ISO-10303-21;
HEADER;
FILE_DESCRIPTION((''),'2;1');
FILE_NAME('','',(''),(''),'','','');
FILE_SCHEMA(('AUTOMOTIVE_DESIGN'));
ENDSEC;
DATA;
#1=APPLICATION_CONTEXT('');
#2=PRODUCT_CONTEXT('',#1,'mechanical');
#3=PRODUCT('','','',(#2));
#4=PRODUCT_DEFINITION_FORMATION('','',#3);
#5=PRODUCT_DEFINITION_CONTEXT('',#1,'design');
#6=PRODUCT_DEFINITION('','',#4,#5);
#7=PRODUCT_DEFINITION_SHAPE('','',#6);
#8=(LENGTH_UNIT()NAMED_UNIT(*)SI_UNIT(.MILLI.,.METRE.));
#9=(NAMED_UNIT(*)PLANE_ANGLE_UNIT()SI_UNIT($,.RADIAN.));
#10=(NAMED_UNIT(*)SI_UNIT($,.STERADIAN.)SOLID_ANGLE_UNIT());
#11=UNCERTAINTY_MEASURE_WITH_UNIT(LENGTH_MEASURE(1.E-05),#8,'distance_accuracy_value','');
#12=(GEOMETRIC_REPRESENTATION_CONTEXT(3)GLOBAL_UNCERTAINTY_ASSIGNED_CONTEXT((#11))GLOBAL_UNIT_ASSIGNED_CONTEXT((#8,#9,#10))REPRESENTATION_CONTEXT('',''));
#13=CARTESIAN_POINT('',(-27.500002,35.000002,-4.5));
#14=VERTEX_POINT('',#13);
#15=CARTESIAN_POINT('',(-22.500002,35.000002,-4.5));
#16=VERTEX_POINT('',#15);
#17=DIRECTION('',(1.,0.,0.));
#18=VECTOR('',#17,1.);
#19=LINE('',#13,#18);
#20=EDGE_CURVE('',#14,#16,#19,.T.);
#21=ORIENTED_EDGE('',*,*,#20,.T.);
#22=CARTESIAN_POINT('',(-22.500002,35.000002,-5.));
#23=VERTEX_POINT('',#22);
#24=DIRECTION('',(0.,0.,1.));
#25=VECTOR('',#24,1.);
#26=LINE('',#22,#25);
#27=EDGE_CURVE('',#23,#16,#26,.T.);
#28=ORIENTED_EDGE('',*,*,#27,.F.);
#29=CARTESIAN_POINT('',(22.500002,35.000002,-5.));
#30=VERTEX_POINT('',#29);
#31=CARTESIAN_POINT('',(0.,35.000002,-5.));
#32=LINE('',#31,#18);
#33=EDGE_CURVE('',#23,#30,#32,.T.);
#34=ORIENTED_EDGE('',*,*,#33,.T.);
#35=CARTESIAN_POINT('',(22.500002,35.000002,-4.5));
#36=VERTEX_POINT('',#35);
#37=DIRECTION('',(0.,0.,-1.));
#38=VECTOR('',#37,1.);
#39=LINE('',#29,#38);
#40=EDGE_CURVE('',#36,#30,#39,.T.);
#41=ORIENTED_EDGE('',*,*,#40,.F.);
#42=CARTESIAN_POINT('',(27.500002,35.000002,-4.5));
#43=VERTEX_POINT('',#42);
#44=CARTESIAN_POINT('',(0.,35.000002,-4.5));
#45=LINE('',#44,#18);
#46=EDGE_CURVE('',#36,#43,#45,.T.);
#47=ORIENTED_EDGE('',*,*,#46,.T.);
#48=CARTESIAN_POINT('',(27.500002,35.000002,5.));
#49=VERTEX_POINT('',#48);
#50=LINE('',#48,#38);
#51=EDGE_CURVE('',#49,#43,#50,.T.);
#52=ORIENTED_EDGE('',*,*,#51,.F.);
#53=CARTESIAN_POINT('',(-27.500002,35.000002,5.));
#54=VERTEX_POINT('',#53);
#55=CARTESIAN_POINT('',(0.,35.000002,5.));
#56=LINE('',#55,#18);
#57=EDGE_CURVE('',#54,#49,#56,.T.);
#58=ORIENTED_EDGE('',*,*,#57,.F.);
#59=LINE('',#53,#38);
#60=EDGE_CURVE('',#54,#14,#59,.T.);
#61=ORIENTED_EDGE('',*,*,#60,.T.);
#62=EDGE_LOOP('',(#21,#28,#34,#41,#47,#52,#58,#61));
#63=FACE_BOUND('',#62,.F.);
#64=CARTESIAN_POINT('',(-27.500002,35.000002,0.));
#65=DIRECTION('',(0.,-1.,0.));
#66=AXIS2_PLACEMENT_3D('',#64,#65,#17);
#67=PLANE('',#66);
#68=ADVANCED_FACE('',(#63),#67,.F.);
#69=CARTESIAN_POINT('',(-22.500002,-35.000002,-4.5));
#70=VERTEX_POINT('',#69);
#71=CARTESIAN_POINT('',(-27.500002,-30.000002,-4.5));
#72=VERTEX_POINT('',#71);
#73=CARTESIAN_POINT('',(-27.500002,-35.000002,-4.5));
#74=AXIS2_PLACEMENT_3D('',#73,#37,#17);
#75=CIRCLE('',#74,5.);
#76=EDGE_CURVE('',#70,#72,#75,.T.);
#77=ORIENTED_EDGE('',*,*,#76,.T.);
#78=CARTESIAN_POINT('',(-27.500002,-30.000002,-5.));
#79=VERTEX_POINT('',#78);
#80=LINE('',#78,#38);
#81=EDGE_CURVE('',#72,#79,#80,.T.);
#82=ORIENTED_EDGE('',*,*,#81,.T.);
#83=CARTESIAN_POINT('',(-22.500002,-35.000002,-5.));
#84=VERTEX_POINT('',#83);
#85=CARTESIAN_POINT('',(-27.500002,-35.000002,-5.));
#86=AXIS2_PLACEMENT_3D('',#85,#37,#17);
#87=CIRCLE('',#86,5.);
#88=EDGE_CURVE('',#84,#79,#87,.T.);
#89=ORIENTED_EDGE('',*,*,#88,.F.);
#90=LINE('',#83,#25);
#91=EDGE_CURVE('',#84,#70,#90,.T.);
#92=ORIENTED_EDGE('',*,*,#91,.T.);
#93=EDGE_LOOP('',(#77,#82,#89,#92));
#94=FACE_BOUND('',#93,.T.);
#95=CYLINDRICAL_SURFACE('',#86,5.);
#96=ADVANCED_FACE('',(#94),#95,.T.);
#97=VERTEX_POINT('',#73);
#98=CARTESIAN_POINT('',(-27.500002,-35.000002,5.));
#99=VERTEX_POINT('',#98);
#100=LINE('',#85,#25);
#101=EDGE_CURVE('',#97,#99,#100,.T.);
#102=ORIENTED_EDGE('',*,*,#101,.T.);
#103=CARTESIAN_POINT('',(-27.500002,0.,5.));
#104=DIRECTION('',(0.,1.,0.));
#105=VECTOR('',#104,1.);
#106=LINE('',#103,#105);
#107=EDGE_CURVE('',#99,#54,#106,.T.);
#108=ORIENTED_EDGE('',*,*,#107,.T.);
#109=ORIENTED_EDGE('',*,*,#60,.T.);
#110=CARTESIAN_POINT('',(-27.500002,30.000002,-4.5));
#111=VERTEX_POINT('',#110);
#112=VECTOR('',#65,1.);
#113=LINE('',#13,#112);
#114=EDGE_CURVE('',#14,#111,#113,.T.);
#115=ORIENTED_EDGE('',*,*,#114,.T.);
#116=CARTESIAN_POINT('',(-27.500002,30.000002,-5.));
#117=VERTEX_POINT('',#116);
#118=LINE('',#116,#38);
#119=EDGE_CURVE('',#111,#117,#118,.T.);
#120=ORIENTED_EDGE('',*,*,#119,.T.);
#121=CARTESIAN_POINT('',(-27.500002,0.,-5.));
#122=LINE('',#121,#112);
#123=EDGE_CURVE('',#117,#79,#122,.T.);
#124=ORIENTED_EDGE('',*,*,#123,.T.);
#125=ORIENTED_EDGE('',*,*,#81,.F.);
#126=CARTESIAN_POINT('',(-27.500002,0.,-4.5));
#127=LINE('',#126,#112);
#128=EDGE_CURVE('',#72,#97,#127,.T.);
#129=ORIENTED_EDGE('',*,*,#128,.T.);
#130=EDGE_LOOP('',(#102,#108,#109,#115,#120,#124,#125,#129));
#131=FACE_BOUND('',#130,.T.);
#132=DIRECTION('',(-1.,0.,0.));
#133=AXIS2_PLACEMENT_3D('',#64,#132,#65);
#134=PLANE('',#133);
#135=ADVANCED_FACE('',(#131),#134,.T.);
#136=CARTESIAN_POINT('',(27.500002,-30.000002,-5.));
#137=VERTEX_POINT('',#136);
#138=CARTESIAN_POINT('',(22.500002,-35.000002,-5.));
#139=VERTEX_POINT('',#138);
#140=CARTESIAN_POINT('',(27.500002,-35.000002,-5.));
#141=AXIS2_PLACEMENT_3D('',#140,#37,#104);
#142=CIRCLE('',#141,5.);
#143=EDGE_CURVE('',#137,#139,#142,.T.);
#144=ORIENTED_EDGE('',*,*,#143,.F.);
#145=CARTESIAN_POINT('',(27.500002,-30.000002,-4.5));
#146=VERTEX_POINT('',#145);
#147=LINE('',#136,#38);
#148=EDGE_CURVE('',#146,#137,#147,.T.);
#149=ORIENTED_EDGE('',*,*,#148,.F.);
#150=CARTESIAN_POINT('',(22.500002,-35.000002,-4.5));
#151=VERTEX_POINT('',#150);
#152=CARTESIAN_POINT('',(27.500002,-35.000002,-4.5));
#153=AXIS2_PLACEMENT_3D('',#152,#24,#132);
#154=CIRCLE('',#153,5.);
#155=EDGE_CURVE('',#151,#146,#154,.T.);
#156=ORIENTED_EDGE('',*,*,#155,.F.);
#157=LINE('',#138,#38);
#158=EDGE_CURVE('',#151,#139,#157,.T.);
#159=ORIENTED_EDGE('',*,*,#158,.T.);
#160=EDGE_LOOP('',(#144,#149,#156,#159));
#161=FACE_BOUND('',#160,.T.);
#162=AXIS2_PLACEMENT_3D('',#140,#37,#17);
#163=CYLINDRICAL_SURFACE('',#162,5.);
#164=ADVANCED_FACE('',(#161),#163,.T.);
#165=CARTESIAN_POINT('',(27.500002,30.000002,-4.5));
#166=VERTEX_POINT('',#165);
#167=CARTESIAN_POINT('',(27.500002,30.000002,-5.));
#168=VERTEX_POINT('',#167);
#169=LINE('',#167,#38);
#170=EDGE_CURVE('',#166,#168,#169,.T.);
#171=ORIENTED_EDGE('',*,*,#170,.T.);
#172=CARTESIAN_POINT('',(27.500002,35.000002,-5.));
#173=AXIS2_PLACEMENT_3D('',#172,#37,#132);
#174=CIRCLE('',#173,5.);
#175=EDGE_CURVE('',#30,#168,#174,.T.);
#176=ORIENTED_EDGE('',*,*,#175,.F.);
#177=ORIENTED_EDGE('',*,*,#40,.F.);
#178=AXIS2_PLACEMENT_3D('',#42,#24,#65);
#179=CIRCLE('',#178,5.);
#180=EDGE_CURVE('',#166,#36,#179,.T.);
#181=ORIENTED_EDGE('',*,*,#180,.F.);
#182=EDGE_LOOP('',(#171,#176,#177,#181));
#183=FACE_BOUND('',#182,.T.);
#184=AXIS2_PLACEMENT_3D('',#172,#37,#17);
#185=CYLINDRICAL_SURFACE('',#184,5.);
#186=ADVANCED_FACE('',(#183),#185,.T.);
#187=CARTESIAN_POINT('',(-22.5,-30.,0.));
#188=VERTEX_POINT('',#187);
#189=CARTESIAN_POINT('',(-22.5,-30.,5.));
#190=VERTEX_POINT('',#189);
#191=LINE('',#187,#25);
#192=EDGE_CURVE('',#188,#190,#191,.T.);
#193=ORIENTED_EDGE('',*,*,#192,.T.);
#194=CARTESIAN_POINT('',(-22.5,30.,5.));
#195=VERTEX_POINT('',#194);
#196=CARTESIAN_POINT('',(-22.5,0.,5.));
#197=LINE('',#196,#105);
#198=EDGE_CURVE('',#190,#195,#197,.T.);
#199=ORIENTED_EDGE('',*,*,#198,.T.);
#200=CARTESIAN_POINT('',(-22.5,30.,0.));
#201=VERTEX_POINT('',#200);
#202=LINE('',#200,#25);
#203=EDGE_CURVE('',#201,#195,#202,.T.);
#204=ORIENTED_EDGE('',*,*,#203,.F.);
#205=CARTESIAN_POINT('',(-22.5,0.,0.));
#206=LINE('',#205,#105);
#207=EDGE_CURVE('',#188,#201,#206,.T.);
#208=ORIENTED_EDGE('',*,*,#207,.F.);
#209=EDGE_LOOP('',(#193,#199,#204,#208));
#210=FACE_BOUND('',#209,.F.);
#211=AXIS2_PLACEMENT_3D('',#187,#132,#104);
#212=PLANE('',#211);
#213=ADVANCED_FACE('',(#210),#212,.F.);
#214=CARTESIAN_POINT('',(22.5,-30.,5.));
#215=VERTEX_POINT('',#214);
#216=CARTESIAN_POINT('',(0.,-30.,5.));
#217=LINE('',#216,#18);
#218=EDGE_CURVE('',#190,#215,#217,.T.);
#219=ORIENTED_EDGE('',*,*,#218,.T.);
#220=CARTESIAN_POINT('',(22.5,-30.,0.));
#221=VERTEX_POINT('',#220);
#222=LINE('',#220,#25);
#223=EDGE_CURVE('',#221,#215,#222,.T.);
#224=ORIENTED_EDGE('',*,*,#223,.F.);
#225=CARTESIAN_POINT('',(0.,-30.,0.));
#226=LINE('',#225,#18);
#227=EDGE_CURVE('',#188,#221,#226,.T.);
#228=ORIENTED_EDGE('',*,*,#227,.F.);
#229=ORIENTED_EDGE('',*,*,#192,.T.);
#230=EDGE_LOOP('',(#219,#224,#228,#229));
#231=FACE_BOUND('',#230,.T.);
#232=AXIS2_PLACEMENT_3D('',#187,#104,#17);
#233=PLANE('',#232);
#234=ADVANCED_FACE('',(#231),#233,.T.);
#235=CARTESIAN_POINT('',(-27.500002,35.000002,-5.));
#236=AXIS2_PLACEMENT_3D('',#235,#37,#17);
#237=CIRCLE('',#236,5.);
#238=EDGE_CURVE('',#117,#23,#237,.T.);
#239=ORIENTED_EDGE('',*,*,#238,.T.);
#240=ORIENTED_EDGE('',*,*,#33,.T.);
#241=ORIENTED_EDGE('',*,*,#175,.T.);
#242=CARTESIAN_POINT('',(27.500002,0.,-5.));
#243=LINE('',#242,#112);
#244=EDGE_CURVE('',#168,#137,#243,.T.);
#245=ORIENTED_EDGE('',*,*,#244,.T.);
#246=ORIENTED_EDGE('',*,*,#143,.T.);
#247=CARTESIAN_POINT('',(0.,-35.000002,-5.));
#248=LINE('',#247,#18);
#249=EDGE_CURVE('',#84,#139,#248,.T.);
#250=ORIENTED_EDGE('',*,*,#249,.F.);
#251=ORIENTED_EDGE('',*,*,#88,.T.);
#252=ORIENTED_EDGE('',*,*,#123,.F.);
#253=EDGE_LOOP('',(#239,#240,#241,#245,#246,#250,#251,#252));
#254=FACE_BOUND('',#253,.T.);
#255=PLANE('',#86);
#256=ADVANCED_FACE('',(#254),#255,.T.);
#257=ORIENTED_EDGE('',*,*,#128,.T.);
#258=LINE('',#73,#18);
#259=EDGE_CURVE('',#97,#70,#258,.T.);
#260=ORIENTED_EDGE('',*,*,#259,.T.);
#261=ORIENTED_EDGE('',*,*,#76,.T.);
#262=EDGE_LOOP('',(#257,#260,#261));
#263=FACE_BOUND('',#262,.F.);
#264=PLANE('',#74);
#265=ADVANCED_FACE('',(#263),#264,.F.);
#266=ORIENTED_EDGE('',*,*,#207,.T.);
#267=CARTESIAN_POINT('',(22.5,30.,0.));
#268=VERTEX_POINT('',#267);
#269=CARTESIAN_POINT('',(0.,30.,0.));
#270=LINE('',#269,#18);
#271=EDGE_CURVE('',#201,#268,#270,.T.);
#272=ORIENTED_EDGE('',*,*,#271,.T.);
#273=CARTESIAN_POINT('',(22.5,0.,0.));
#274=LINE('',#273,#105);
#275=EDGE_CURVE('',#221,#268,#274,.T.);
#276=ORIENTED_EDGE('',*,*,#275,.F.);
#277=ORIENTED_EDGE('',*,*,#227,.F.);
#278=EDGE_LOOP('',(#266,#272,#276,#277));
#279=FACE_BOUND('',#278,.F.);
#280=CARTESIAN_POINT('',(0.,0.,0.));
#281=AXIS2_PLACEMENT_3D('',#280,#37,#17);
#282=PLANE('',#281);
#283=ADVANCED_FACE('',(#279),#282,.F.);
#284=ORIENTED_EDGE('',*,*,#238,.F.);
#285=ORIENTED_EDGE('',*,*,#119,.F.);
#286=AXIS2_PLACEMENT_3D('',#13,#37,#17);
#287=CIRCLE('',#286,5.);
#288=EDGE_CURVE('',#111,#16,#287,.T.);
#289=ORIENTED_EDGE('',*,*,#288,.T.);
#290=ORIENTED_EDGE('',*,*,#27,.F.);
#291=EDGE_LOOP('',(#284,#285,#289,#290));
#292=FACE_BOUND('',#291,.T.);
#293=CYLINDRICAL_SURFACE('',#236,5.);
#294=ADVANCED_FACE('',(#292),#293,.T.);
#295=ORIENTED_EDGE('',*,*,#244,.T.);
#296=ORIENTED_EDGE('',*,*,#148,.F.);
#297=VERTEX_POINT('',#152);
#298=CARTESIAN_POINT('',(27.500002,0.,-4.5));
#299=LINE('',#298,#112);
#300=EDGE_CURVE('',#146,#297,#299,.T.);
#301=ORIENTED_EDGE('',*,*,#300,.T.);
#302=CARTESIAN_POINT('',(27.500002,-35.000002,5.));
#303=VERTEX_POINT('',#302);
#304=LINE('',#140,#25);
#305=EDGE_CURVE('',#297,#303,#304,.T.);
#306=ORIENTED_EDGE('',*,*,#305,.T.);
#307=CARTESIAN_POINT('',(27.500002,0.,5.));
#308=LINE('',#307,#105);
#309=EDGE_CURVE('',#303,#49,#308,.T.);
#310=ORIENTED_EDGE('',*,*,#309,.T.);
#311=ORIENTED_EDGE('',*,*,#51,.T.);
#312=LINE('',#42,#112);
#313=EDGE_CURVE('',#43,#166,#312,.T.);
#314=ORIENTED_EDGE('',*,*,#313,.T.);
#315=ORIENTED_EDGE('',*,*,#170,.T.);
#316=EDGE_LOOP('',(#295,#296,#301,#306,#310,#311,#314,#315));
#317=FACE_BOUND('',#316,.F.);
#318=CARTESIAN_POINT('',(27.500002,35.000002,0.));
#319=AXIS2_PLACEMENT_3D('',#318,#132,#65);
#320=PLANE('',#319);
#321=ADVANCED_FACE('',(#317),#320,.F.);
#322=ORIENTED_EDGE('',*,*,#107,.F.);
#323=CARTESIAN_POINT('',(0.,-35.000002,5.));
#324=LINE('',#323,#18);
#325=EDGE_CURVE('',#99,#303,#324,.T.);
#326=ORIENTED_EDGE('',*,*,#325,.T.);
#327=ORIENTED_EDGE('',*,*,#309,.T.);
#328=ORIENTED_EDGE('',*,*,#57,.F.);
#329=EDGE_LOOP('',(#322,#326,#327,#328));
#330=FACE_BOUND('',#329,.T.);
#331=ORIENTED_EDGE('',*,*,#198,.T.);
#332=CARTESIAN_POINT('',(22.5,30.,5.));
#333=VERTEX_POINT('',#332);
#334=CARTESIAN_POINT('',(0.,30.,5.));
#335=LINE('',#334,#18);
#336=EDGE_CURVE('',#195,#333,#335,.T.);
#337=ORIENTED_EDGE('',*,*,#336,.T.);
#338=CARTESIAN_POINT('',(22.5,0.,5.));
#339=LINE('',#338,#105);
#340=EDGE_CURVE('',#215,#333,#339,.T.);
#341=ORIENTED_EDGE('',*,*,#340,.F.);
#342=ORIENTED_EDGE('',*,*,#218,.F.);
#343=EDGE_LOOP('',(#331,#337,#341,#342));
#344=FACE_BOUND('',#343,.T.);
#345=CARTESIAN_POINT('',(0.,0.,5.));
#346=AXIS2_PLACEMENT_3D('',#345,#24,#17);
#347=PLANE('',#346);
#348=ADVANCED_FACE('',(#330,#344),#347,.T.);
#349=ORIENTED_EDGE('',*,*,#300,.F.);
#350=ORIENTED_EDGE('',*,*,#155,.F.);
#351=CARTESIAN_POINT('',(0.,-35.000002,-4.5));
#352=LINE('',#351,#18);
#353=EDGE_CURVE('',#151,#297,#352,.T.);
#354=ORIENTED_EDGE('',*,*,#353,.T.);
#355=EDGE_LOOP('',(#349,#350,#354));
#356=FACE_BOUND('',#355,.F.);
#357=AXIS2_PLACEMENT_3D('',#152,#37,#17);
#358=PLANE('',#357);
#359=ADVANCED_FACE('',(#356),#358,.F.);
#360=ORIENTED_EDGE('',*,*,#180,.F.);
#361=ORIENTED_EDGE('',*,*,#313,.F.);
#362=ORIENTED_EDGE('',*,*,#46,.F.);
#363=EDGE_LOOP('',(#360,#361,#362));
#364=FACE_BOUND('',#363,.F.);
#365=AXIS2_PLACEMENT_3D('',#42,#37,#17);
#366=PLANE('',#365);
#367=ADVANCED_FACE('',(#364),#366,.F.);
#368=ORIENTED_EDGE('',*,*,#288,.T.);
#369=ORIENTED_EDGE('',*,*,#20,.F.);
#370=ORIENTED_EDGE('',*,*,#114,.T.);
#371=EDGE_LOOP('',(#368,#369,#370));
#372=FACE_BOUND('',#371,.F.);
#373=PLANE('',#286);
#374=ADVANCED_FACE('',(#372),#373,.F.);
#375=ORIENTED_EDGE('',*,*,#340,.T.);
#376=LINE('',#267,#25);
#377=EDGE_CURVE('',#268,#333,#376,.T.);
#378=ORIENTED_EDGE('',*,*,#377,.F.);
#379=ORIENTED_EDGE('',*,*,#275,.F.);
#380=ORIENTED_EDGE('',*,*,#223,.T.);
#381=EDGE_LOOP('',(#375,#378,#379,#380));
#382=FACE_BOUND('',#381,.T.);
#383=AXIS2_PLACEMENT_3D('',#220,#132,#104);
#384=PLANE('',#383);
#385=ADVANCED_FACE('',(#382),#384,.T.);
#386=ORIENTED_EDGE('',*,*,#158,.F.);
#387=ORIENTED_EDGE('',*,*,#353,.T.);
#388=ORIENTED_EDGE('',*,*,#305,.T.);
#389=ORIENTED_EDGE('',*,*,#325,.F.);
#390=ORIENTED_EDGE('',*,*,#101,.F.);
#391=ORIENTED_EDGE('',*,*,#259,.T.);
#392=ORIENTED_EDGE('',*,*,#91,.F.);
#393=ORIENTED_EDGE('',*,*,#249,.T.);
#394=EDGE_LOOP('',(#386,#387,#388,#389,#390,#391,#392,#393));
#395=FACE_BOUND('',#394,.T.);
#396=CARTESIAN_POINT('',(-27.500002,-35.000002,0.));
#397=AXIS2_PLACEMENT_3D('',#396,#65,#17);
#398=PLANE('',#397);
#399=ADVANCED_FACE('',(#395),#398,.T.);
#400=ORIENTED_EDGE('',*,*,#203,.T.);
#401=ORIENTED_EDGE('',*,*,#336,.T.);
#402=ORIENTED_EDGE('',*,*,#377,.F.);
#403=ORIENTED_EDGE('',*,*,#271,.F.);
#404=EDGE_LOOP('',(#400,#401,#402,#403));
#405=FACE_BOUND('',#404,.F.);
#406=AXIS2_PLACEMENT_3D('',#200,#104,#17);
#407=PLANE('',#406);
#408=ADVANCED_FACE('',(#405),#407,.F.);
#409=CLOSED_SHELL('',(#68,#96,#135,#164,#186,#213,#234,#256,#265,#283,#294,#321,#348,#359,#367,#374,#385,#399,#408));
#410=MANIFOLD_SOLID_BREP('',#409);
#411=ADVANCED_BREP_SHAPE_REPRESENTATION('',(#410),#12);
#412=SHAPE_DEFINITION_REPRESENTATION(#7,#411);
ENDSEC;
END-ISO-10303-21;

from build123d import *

# Parameters (mm, degrees)
F0_W     = 55.000004
F0_H     = 70.000004
F0_W_2   = 45
F0_H_2   = 60
F1_DEPTH = 5
F2_W     = 55.000004
F2_H     = 70.000004
F3_DEPTH = 5
F4_R     = 5
F5_DEPTH = 0.5


with BuildPart() as f1:
    # F0 (on Top) → F1 (new body)
    with BuildSketch(Plane.XY):
        Rectangle(F0_W, F0_H)
        Rectangle(F0_W_2, F0_H_2, mode=Mode.SUBTRACT)
    extrude(amount=F1_DEPTH)

    # F2 (on face) → F3 (join)
    with BuildSketch(Plane(origin=(0, 0, 0), x_dir=(1, 0, 0), z_dir=(0, 0, -1))):
        Rectangle(F2_W, F2_H)
    extrude(amount=F3_DEPTH)

    # F4 (on face) → F5 (join)
    with BuildSketch(Plane(origin=(0, 0, -5), x_dir=(1, 0, 0), z_dir=(0, 0, -1))):
        with Locations((-27.500002, 35.000002)):
            Circle(F4_R)
        with Locations((27.500002, 35.000002)):
            Circle(F4_R)
        with Locations((27.500002, -35.000002)):
            Circle(F4_R)
        with Locations((-27.500002, -35.000002)):
            Circle(F4_R)
    extrude(amount=-F5_DEPTH)


solid = f1.part
